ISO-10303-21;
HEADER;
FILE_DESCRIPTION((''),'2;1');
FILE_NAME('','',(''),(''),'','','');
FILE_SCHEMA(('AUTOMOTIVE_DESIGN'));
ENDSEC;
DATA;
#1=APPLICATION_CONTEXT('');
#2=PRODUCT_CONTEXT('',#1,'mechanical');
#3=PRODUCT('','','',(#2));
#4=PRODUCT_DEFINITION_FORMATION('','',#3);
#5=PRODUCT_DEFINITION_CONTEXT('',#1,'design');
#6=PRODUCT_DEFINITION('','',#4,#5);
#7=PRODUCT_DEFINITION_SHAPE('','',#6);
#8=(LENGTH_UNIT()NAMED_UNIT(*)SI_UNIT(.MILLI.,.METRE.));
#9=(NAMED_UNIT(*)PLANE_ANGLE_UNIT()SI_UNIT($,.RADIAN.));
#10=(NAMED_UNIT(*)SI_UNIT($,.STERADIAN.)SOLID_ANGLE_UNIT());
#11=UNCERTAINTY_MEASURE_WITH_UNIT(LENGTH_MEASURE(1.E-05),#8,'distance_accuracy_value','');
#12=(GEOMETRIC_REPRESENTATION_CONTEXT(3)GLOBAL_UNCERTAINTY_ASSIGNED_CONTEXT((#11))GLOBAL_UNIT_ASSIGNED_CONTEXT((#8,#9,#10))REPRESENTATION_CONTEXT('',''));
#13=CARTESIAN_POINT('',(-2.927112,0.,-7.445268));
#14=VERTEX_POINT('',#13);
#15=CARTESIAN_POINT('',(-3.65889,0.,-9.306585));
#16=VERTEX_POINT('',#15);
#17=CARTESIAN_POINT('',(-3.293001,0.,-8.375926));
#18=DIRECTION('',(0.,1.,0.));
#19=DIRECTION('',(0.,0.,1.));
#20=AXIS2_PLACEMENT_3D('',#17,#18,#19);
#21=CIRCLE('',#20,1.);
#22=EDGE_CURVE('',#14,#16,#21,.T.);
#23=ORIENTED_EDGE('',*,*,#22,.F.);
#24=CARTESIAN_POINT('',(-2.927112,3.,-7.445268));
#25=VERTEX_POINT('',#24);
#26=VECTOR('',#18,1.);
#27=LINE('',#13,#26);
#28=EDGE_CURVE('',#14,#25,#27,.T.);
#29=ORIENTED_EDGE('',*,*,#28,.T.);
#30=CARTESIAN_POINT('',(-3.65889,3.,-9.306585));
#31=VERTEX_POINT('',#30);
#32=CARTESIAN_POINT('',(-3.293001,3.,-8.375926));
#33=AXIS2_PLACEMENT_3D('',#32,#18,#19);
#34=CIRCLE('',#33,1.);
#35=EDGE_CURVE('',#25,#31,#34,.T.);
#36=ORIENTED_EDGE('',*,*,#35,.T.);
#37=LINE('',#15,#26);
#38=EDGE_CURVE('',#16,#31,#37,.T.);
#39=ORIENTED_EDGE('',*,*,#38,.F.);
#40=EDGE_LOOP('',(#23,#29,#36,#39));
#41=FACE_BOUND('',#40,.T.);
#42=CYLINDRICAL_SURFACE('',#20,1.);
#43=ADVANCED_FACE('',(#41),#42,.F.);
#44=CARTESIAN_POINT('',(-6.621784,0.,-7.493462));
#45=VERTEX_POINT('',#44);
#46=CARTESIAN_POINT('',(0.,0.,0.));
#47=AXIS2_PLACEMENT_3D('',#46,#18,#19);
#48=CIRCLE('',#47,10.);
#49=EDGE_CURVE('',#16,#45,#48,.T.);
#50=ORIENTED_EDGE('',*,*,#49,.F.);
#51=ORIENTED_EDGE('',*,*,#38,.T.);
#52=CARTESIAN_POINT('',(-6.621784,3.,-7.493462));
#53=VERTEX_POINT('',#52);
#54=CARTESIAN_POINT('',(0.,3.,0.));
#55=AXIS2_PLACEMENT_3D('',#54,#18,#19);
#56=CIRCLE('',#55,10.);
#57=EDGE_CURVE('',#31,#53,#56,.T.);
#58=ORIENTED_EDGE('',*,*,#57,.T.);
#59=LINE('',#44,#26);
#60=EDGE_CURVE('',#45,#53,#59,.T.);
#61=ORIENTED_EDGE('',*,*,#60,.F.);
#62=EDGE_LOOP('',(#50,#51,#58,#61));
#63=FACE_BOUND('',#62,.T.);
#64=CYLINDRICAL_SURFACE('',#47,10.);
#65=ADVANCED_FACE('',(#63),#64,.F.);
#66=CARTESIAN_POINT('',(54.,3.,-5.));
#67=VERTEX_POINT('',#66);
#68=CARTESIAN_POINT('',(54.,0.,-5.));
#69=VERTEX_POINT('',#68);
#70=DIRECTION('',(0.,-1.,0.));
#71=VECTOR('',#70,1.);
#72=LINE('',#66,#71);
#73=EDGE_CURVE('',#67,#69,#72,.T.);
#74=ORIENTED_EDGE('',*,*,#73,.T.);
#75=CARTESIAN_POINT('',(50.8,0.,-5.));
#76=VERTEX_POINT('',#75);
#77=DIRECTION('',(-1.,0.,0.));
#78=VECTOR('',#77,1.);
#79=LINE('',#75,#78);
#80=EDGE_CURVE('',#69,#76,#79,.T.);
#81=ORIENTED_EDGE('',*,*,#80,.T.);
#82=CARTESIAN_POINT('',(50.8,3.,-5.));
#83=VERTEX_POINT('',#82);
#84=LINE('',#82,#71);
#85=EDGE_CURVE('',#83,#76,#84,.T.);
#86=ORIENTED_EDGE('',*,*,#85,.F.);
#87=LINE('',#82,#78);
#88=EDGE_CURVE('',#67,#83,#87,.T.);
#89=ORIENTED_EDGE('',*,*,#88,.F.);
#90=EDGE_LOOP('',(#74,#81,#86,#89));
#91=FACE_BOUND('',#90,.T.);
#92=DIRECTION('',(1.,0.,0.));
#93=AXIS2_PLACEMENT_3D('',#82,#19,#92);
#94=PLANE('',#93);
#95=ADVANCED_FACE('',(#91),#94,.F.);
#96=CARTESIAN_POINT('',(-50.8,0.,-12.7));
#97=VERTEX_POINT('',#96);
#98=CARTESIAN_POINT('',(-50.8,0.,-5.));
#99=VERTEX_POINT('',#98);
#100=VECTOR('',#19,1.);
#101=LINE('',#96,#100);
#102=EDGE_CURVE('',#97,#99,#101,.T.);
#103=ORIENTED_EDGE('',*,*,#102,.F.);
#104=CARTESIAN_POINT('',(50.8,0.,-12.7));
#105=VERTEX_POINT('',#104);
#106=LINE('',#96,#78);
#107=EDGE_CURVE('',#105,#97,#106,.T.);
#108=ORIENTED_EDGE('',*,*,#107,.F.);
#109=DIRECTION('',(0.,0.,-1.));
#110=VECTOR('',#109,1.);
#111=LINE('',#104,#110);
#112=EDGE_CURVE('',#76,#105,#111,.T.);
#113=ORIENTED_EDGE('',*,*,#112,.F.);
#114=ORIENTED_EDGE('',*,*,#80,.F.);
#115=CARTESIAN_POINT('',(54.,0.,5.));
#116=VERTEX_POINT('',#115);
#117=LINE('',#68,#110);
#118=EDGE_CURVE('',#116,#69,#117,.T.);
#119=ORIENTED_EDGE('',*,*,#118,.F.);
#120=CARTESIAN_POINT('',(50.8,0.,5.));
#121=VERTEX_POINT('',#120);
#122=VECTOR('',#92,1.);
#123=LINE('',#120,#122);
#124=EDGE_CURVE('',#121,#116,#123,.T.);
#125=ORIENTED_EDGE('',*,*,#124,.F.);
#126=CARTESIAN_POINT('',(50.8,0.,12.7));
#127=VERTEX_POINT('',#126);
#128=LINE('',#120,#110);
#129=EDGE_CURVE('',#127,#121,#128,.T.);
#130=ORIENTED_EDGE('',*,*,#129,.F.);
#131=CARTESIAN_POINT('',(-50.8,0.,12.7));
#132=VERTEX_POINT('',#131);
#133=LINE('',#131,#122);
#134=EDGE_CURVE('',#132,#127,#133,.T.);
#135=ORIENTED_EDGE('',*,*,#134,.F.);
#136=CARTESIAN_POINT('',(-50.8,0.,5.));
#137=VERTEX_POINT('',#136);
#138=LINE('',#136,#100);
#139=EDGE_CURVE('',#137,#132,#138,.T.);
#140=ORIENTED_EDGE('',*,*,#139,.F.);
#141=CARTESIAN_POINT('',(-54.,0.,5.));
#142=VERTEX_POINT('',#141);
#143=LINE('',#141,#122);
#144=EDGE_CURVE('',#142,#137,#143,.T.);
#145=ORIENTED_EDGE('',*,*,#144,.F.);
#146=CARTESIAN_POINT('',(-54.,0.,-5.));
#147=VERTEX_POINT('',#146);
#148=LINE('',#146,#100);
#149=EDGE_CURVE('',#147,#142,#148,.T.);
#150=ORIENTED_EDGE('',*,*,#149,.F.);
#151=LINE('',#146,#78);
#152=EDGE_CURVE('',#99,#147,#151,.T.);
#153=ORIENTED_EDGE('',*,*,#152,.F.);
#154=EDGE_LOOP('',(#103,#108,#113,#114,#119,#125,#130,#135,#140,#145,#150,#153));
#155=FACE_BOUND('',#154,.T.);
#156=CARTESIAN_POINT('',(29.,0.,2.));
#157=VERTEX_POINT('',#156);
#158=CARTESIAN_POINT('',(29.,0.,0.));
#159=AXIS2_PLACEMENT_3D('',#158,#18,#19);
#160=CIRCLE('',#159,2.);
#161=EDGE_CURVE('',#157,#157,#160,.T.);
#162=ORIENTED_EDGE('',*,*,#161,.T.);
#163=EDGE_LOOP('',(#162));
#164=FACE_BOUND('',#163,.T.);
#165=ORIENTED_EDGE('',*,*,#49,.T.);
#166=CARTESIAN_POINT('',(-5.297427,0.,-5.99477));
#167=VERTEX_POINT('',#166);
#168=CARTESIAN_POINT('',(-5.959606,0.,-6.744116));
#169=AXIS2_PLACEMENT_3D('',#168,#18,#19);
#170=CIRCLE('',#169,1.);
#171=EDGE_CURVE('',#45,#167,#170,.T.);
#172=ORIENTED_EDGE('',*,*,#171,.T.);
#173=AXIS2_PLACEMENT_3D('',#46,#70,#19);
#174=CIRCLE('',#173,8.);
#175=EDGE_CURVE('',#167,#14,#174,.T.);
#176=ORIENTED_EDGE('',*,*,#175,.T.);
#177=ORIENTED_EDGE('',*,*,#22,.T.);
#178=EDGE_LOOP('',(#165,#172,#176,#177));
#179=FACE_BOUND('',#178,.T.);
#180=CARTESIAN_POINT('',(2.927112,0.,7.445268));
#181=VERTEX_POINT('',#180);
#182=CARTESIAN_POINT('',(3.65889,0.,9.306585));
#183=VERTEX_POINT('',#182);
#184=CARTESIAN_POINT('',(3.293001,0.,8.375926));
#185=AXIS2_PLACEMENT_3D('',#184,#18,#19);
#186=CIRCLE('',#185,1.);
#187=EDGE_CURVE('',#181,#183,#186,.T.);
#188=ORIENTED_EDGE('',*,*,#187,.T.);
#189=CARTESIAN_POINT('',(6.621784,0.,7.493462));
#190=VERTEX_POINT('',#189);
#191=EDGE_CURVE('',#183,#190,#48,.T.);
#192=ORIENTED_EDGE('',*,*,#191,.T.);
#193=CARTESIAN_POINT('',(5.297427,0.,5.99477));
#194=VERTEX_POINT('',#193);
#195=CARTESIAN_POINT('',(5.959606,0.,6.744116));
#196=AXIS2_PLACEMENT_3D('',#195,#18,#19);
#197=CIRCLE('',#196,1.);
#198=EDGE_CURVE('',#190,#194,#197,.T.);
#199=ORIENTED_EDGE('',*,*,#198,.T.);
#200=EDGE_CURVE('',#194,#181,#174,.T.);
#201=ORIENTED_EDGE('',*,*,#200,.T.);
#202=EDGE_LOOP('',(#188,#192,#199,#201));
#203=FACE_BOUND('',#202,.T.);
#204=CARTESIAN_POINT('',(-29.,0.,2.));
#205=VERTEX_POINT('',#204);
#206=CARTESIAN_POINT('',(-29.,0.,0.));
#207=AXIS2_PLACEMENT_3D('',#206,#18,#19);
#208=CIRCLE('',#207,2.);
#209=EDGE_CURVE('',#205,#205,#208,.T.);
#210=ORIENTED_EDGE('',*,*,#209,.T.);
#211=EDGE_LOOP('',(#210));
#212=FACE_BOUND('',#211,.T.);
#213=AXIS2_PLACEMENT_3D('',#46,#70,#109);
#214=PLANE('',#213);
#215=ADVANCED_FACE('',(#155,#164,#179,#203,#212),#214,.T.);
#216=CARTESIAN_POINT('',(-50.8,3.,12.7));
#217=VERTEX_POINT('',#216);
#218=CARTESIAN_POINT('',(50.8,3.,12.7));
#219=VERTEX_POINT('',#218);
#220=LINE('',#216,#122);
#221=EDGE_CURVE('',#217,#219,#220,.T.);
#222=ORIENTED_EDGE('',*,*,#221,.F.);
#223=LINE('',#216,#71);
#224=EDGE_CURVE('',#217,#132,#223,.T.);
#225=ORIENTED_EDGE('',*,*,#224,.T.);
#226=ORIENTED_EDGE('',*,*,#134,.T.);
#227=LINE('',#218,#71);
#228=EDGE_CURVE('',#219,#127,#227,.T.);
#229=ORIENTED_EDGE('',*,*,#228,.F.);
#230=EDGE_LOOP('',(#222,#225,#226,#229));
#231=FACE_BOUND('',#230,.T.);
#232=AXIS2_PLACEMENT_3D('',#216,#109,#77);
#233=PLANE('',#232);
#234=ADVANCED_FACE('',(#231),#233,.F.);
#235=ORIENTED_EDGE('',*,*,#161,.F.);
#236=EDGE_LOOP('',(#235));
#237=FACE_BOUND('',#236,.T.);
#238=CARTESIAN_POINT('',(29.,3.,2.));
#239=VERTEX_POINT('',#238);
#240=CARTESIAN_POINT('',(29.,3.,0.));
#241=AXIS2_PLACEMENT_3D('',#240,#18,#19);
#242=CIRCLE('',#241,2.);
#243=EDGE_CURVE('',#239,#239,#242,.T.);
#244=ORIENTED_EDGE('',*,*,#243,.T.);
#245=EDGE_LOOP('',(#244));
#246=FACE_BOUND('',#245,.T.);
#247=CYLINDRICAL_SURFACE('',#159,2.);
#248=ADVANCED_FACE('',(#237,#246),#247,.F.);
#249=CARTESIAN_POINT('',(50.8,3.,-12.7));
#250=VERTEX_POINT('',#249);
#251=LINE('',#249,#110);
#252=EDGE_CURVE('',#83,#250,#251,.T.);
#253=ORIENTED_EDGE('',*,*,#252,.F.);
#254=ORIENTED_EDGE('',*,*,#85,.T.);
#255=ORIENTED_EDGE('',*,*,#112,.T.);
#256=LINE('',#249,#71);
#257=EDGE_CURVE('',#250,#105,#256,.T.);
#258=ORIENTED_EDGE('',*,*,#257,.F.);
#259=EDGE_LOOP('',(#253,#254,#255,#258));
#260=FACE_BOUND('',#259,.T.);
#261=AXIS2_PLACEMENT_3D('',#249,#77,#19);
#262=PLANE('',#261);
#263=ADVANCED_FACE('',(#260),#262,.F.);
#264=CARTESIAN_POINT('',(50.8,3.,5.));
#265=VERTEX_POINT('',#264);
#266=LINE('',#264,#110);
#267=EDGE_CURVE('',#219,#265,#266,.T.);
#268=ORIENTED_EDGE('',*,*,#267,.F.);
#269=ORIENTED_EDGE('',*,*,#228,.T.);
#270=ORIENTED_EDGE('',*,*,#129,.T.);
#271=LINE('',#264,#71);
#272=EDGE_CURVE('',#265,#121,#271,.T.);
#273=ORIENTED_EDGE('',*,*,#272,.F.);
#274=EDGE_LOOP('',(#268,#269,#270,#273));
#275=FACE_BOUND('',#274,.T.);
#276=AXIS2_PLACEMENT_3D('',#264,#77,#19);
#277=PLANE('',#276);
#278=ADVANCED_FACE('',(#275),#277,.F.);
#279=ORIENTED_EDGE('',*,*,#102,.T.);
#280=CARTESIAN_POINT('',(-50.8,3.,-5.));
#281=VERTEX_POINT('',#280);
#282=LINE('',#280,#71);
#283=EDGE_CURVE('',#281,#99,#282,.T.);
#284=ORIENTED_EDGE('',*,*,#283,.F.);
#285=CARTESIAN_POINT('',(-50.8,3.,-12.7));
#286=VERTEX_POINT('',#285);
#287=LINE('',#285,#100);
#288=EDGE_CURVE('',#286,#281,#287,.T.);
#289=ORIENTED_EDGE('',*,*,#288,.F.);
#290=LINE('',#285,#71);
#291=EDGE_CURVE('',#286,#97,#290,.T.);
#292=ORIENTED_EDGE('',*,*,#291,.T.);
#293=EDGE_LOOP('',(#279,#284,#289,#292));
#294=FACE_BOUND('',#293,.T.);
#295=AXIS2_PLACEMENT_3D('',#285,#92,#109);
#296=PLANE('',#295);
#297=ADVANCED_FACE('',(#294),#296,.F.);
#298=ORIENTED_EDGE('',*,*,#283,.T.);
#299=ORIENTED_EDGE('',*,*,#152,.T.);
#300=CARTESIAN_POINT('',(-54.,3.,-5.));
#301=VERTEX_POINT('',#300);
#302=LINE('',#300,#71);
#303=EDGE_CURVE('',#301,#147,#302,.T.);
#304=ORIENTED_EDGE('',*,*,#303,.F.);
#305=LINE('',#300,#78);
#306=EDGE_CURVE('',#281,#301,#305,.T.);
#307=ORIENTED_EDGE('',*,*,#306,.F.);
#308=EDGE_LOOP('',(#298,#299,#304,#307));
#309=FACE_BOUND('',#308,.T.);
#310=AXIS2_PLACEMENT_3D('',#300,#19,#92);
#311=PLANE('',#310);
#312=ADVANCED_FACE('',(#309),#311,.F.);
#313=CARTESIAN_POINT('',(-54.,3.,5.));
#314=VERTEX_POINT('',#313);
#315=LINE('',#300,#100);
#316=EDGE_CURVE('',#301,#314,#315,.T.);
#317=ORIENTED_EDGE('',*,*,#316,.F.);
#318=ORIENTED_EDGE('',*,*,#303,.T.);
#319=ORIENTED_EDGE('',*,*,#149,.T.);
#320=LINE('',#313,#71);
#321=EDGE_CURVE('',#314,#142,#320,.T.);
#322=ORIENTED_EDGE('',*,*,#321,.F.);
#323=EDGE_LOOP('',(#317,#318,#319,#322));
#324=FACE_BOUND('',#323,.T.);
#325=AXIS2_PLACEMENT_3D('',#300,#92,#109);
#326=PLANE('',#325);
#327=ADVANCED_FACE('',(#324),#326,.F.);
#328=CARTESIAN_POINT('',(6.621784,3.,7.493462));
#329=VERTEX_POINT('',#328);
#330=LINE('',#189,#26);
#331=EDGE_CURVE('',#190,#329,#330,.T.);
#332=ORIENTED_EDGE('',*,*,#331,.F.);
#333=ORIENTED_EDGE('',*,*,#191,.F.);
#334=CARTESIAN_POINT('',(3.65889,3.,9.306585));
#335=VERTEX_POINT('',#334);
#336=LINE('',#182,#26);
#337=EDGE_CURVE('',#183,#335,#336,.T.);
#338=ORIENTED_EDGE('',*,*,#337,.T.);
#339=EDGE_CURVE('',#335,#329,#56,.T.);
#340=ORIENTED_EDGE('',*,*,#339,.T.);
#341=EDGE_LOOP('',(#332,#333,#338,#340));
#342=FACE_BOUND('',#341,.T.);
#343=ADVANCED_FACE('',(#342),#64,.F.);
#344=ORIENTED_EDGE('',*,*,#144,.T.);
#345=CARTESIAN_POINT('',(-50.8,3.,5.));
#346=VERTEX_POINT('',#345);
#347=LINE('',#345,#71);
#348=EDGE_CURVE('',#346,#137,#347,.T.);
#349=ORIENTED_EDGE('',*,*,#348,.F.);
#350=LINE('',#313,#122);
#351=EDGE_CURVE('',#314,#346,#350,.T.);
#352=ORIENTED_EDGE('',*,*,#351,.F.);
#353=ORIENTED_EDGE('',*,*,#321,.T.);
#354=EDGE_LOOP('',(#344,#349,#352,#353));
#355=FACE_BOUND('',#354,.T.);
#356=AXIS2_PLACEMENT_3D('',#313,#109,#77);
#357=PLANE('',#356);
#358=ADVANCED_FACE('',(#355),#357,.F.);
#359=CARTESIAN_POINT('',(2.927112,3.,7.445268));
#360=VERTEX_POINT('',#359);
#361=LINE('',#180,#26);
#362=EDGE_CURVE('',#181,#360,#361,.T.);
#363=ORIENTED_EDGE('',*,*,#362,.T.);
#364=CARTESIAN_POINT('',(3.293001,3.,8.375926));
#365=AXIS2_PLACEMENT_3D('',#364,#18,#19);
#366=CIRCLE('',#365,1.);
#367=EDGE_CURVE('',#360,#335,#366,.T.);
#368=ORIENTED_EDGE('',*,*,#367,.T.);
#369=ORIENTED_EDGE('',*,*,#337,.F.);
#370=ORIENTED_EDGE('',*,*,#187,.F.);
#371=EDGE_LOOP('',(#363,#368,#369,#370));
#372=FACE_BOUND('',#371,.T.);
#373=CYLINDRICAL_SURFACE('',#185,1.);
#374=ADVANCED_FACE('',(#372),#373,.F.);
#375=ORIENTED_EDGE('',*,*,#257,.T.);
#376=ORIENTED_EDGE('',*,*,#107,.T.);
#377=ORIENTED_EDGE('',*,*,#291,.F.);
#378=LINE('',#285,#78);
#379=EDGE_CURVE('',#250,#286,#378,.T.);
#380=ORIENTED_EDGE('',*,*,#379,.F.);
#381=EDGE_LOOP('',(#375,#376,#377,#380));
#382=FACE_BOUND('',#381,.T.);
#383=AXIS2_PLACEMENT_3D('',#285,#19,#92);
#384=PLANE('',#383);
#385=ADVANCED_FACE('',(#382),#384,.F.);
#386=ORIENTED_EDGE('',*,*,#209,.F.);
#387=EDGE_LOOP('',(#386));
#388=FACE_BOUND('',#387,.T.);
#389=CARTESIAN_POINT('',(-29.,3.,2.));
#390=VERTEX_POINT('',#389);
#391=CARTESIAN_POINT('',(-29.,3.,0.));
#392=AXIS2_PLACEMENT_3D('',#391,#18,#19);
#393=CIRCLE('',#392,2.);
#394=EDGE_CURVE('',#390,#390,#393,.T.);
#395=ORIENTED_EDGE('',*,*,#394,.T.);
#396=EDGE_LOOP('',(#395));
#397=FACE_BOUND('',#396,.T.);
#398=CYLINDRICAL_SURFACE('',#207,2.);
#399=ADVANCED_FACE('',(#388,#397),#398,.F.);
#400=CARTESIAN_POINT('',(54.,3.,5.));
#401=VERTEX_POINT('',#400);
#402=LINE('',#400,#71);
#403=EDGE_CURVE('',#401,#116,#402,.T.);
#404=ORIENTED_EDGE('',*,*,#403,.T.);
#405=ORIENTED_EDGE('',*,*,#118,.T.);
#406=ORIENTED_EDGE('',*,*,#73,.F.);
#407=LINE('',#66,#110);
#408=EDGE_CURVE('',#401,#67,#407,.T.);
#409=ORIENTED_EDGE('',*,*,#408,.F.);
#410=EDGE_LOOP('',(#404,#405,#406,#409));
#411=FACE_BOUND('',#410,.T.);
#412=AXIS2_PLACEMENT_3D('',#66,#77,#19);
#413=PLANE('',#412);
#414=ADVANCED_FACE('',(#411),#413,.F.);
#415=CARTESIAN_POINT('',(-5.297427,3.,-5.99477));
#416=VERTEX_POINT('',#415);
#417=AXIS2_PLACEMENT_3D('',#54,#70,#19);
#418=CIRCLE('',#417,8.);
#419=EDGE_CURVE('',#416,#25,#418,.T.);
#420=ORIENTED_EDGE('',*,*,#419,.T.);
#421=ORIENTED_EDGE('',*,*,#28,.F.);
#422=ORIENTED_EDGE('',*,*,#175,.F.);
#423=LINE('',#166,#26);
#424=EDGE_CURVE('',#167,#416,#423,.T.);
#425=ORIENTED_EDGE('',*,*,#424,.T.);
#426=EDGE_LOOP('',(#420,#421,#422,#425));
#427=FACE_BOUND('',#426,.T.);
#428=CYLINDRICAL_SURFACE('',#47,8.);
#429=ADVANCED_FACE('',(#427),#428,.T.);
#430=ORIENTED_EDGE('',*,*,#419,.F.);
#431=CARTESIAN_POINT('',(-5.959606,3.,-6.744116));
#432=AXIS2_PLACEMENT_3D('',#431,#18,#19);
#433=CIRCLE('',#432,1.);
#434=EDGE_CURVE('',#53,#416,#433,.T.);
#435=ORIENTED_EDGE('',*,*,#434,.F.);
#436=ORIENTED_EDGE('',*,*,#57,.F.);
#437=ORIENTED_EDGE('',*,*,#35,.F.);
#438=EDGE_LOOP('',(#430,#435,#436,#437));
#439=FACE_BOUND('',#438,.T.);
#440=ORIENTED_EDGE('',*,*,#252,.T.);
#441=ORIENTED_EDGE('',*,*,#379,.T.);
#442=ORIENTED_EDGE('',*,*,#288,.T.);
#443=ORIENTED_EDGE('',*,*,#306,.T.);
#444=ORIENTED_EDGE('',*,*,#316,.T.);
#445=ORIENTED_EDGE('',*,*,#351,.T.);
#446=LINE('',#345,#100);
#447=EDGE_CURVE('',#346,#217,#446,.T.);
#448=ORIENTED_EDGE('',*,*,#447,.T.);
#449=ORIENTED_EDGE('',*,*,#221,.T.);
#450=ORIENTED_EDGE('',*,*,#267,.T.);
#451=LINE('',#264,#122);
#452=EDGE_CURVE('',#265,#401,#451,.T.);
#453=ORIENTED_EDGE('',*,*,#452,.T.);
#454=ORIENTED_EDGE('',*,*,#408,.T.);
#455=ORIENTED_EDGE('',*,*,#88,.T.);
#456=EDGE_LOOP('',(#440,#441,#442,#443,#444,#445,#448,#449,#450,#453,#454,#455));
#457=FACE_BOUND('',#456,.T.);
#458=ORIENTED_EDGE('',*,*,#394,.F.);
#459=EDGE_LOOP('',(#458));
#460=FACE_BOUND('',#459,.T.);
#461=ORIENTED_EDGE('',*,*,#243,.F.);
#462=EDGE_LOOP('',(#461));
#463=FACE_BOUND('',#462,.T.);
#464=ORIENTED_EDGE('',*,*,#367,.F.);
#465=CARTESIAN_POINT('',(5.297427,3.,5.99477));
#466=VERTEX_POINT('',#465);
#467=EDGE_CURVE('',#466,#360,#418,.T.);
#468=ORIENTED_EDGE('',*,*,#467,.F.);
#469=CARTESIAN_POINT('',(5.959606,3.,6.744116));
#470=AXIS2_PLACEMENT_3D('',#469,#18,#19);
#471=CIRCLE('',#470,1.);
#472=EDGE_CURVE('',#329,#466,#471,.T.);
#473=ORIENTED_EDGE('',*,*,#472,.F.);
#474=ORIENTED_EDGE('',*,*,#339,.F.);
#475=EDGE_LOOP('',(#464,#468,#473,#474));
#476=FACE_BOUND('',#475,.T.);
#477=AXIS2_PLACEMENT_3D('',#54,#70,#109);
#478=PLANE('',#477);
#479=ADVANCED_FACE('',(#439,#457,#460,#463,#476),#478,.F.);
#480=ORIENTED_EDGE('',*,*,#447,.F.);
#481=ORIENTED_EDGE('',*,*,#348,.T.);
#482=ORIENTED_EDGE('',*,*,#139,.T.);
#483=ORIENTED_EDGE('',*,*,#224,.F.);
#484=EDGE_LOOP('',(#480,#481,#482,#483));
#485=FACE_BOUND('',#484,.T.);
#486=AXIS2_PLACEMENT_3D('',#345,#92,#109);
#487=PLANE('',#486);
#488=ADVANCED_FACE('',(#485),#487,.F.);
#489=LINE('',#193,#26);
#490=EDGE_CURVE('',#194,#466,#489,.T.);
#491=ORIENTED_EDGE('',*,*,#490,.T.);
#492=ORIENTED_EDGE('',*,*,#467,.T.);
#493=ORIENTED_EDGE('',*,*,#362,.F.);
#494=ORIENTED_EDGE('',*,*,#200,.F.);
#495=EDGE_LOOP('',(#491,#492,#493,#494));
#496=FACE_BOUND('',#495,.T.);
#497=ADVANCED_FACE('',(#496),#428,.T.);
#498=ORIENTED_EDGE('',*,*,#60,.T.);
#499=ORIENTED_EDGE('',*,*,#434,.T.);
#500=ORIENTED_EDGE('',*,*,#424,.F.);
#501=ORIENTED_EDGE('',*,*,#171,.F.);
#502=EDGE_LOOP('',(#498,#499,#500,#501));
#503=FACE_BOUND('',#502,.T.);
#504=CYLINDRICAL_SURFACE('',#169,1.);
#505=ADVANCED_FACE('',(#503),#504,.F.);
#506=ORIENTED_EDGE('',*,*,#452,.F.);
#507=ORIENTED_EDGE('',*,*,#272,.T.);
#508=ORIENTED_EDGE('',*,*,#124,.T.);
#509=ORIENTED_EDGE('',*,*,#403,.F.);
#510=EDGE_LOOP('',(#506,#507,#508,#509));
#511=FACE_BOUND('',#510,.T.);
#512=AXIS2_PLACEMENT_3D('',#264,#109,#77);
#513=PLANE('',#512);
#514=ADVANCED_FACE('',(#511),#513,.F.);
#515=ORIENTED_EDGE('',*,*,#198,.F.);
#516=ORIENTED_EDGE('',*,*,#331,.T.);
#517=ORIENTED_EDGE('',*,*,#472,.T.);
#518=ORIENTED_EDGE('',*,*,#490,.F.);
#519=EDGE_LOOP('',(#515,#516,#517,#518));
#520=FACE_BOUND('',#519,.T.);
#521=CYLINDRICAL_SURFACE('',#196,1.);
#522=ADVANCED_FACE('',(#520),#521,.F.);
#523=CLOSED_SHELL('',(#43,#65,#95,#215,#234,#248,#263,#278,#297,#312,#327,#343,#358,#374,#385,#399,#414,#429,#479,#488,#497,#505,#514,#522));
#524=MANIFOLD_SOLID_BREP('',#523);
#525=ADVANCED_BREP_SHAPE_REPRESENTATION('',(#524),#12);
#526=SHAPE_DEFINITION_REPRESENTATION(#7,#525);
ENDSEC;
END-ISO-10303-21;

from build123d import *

# Parameters (mm, degrees)
BOSS_EXTRUDE1_DEPTH = 3
CUT_EXTRUDE1_DEPTH  = 56.554387766
SKETCH3_R           = 2
CUT_EXTRUDE2_DEPTH  = 56.554387766


with BuildPart() as part:
    # Sketch1 → Boss-Extrude1 (new body)
    with BuildSketch(Plane(origin=(0, 0, 0), x_dir=(1, 0, 0), z_dir=(0, 1, 0))):
        Polygon((-50.8, -5), (-50.8, -12.7), (50.8, -12.7), (50.8, -5), (54, -5), (54, 5), (50.8, 5), (50.8, 12.7), (-50.8, 12.7), (-50.8, 5), (-54, 5), (-54, -5), align=None)
    extrude(amount=BOSS_EXTRUDE1_DEPTH)

    # Sketch2 → Cut-Extrude1 (cut, through all)
    with BuildSketch(Plane(origin=(0, 3, 0), x_dir=(1, 0, 0), z_dir=(0, 1, 0))):
        with BuildLine():
            ThreePointArc((2.927112115, -7.445267938), (4.175733356, -6.823727057), (5.297427434, -5.994769602))
            ThreePointArc((5.297427434, -5.994769602), (6.708952064, -6.081937373), (6.621784293, -7.493462002))
            ThreePointArc((6.621784293, -7.493462002), (5.219666694, -8.529658821), (3.658890144, -9.306584922))
            ThreePointArc((3.658890144, -9.306584922), (2.362342638, -8.741815444), (2.927112115, -7.445267938))
        make_face()
        with BuildLine():
            ThreePointArc((-3.658890144, 9.306584922), (-5.219666694, 8.529658821), (-6.621784293, 7.493462002))
            ThreePointArc((-6.621784293, 7.493462002), (-6.708952064, 6.081937373), (-5.297427434, 5.994769602))
            ThreePointArc((-5.297427434, 5.994769602), (-4.175733356, 6.823727057), (-2.927112115, 7.445267938))
            ThreePointArc((-2.927112115, 7.445267938), (-2.362342638, 8.741815444), (-3.658890144, 9.306584922))
        make_face()
    extrude(amount=-CUT_EXTRUDE1_DEPTH, mode=Mode.SUBTRACT)

    # Sketch3 → Cut-Extrude2 (cut, through all)
    with BuildSketch(Plane(origin=(0, 3, 0), x_dir=(1, 0, 0), z_dir=(0, 1, 0))):
        with Locations(Location((29, 0, 0), (0, 0, 270))):
            Circle(SKETCH3_R)
        with Locations(Location((-29, 0, 0), (0, 0, 270))):
            Circle(SKETCH3_R)
    extrude(amount=-CUT_EXTRUDE2_DEPTH, mode=Mode.SUBTRACT)


solid = part.part
